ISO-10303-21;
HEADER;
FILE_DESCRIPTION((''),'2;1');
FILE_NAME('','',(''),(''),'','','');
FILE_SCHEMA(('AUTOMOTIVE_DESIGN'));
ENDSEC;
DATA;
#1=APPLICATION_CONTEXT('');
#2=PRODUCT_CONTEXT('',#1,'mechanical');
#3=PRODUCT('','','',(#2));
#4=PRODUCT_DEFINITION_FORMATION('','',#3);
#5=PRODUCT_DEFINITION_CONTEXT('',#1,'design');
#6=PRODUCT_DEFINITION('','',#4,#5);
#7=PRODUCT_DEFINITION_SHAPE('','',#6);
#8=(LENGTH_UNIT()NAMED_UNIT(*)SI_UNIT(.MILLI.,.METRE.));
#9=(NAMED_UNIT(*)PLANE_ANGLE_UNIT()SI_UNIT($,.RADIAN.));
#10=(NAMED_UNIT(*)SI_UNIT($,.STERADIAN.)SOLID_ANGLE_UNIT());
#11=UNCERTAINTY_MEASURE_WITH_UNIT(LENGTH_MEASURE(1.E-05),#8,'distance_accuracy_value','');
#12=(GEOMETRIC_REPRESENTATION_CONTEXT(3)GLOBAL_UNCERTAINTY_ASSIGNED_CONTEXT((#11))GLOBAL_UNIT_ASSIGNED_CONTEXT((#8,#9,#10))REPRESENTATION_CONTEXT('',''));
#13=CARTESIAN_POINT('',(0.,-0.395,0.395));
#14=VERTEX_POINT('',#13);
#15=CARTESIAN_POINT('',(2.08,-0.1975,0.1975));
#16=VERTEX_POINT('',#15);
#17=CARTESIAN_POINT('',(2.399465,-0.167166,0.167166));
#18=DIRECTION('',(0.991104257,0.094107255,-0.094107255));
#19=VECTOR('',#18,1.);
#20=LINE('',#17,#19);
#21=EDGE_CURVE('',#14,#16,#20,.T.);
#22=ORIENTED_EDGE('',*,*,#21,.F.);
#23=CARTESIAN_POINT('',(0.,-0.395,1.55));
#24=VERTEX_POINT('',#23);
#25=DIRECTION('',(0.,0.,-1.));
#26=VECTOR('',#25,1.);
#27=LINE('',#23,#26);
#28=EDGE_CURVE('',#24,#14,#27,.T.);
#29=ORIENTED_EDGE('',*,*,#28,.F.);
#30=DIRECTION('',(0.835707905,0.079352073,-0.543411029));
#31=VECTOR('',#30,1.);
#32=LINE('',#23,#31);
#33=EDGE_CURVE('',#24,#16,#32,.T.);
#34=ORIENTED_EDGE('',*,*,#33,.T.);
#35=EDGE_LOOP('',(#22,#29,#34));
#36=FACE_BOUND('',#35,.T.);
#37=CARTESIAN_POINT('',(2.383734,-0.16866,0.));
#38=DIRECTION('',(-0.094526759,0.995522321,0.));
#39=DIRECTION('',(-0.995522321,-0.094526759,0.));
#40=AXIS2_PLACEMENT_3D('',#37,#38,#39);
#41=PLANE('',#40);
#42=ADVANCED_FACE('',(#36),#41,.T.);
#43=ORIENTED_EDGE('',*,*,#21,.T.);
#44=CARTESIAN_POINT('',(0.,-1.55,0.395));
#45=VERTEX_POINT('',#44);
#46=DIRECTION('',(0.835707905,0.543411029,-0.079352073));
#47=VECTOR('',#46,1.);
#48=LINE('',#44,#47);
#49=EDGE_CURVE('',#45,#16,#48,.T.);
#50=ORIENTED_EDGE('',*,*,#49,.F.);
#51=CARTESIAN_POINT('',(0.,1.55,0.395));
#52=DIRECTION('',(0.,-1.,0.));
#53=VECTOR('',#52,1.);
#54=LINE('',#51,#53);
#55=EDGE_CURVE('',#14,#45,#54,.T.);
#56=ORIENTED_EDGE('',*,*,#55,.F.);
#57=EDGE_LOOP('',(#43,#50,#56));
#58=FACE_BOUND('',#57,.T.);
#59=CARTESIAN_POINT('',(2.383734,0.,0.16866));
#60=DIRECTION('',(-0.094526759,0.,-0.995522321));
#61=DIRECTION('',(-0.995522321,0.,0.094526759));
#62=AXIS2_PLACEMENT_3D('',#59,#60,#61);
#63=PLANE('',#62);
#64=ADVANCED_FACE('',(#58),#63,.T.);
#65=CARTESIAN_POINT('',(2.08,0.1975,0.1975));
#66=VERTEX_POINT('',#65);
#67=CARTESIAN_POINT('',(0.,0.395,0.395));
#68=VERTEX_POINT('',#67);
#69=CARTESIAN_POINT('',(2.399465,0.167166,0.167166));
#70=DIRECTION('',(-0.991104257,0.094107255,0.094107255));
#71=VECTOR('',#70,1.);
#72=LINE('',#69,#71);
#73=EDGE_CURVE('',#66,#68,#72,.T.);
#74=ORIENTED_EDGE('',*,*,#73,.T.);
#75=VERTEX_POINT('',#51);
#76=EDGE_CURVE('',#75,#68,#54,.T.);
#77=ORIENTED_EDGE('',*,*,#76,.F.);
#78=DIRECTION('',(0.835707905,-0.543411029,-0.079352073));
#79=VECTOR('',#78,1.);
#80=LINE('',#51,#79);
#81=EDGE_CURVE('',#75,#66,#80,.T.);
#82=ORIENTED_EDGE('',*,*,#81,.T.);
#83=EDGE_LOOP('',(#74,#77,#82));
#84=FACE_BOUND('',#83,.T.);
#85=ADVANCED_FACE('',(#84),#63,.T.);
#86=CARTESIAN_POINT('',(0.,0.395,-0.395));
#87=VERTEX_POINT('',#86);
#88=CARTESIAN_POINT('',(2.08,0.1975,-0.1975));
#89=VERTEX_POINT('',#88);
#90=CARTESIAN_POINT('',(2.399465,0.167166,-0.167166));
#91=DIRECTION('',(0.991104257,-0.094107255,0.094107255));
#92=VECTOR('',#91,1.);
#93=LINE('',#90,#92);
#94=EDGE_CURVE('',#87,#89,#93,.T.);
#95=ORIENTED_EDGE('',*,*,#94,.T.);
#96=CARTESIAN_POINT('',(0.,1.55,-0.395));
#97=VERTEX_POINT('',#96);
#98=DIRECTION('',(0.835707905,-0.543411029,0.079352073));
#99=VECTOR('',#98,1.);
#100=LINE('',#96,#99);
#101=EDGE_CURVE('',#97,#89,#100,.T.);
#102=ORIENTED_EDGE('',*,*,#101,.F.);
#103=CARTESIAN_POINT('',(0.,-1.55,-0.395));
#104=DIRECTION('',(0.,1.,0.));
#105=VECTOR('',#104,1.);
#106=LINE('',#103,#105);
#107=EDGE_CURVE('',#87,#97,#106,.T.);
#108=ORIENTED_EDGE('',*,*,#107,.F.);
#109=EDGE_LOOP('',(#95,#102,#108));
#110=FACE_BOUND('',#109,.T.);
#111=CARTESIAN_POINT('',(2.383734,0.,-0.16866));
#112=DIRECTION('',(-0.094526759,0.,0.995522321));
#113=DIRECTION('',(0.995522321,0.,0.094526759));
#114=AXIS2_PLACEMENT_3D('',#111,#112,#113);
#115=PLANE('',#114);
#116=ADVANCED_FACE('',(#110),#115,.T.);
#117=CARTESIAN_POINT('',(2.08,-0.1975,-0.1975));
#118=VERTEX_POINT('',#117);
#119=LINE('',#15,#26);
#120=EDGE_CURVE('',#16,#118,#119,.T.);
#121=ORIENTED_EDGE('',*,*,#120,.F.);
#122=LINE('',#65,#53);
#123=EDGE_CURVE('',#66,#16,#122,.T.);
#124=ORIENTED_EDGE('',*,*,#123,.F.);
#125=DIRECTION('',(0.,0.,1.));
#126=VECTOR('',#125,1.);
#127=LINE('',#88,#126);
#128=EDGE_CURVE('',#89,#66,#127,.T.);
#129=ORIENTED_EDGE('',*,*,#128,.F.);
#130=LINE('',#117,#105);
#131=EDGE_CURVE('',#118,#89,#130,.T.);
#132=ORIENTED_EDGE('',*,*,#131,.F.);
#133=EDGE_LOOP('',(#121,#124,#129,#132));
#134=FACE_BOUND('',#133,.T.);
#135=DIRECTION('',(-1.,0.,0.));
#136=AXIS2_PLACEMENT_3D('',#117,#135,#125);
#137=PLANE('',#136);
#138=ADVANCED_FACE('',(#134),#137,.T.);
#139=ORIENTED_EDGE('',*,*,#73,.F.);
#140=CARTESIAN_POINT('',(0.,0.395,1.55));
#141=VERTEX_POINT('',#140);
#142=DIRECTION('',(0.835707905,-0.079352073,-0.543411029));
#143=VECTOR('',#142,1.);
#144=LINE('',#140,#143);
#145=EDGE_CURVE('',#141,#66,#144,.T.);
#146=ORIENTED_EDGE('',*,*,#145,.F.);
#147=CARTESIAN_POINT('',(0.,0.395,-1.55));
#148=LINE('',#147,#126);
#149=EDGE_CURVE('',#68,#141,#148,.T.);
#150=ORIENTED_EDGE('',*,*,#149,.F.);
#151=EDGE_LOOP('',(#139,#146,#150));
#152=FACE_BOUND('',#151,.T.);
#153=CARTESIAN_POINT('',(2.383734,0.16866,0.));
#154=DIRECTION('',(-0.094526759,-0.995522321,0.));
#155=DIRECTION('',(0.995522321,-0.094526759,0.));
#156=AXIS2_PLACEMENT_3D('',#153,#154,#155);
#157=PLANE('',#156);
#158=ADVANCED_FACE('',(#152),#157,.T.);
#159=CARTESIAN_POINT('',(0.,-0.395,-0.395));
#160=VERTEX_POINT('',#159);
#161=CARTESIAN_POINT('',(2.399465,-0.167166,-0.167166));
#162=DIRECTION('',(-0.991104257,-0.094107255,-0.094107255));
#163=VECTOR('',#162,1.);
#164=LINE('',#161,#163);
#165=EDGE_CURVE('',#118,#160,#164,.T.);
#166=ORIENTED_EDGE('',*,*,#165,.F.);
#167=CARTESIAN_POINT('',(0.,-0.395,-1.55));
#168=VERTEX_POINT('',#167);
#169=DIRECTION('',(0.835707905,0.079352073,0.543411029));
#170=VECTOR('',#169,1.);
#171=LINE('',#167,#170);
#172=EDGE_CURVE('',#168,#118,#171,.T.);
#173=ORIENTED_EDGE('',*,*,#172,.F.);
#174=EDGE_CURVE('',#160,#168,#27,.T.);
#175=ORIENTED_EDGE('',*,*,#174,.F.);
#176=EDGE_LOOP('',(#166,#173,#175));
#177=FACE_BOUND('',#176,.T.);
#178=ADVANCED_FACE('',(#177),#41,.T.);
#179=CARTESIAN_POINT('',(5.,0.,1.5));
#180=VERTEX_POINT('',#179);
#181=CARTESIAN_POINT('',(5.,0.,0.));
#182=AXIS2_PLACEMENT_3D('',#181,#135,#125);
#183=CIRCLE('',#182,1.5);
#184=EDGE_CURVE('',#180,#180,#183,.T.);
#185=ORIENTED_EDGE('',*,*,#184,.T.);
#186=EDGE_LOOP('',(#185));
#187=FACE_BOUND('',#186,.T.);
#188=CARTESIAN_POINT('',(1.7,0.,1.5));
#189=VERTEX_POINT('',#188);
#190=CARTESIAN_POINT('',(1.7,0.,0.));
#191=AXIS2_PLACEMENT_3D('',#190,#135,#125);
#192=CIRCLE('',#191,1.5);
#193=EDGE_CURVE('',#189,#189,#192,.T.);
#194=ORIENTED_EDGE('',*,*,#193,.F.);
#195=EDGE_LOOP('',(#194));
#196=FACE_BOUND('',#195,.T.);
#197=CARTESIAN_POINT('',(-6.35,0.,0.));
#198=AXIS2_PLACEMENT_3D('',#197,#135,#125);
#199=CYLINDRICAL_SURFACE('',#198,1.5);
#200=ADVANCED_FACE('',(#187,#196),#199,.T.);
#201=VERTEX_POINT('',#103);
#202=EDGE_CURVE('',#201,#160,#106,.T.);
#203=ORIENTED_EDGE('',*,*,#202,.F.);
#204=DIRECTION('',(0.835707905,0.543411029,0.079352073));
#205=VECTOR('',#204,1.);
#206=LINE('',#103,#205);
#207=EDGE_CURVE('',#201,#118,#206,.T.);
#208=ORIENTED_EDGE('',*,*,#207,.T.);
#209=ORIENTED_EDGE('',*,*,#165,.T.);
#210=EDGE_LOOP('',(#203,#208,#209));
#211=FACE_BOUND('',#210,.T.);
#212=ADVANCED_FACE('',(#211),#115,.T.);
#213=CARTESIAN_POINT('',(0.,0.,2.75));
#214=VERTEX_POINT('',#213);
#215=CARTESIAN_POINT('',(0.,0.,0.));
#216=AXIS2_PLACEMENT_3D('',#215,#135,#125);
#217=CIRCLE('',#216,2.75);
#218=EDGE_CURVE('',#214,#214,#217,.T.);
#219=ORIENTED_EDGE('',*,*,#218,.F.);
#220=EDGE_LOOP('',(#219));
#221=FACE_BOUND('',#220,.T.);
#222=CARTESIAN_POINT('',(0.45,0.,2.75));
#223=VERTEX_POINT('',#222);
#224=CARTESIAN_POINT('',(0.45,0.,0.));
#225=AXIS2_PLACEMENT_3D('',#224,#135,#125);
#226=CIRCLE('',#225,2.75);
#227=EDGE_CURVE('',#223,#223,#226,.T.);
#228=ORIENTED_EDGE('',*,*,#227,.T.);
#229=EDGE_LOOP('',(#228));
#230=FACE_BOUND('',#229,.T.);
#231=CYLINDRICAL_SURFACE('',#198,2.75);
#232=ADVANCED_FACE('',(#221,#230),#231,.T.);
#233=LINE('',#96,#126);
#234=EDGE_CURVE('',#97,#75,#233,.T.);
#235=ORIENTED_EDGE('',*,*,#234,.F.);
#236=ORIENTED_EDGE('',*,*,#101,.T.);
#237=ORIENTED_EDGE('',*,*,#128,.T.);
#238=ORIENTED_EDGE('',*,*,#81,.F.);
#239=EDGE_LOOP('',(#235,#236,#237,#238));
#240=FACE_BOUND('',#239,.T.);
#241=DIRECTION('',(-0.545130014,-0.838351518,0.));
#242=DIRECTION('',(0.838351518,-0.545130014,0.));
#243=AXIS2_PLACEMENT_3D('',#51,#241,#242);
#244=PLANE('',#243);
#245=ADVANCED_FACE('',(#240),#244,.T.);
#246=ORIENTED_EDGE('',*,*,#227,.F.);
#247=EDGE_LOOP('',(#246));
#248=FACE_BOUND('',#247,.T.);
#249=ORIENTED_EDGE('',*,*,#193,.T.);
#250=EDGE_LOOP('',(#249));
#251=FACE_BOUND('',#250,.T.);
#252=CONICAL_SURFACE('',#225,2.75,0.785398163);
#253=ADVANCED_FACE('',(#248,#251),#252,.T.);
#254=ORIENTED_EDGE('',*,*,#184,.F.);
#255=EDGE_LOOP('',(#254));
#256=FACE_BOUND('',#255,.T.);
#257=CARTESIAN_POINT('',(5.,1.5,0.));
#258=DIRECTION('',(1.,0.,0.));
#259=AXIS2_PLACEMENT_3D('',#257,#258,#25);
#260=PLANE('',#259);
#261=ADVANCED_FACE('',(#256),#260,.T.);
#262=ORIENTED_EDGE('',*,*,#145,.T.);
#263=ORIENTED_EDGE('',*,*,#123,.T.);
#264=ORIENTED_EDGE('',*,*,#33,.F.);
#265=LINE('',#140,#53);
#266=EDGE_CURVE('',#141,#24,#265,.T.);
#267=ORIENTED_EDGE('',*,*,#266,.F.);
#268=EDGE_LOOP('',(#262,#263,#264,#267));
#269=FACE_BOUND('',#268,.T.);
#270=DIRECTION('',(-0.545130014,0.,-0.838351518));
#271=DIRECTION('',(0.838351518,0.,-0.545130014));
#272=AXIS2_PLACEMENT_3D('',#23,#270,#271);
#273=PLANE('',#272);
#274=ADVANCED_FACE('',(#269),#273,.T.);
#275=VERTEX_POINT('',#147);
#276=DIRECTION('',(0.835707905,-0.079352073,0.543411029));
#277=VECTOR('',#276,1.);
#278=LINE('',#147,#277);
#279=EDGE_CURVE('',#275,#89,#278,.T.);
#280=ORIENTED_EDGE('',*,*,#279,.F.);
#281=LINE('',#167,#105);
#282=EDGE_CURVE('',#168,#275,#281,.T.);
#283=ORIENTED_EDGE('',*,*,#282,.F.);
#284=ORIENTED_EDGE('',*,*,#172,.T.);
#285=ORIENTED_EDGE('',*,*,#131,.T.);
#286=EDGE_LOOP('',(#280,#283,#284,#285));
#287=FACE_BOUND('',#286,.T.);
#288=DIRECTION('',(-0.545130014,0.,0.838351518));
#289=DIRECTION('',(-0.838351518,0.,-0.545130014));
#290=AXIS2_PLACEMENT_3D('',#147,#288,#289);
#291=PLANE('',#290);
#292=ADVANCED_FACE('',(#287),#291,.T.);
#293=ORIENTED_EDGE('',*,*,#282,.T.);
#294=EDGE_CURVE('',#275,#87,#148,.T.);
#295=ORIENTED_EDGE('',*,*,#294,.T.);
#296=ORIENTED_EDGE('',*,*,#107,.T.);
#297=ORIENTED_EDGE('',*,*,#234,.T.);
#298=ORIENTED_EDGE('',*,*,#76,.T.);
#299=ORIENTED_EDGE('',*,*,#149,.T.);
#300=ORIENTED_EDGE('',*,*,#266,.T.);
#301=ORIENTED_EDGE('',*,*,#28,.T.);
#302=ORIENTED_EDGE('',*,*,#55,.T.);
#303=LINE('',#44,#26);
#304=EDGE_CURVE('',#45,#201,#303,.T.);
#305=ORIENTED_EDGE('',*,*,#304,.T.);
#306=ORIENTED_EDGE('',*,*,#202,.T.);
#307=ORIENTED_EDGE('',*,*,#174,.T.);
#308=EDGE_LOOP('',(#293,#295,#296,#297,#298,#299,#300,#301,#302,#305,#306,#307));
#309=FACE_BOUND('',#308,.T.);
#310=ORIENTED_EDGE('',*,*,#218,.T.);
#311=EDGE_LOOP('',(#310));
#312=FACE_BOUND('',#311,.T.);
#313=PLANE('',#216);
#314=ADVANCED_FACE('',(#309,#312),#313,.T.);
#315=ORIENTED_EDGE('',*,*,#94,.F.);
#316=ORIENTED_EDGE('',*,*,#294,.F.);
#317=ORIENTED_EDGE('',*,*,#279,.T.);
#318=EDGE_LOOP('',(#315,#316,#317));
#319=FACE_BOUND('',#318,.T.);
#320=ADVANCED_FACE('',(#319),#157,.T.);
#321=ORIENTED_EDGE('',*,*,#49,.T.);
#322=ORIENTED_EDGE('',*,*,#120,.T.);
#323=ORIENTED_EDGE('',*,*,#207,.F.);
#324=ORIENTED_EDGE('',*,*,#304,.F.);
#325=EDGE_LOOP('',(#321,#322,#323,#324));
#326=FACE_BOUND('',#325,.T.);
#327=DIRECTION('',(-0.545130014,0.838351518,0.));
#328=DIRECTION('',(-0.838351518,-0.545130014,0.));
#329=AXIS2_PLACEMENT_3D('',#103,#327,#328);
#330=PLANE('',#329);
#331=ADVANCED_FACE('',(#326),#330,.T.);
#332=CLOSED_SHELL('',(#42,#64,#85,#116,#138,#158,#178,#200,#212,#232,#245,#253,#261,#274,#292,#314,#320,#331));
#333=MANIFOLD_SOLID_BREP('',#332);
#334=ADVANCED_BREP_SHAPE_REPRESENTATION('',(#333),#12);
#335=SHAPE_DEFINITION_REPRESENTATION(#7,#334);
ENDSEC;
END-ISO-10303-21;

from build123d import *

# Parameters (mm, degrees)
SKETCH3_W         = 0.79
SKETCH3_H         = 3.1
SKETCH4_W         = 0.395
SKETCH4_H         = 0.395
CIRPATTERN1_COUNT = 2
CIRPATTERN1_ANGLE = 90


with BuildPart() as part:
    # BodySke → Base-Revolve (revolve)
    with BuildSketch(Plane.XY, mode=Mode.PRIVATE) as base_revolve_sk:
        Polygon((0, 0), (0, 2.75), (0.45, 2.75), (1.7, 1.5), (5, 1.5), (5, 0), align=None)
    revolve(base_revolve_sk.sketch.rotate(Axis((-6.35, 0, 0), (1, 0, 0)), 90), axis=Axis((-6.35, 0, 0), (1, 0, 0)))  # turned: the seam where the file's is

    # Sketch3 → Cross section 0
    with BuildSketch(Plane.ZY):
        Rectangle(SKETCH3_W, SKETCH3_H)
    # Sketch4 → Cross section 1
    with BuildSketch(Plane.ZY.offset(-2.08)):
        Rectangle(SKETCH4_W, SKETCH4_H)
    cross = loft(mode=Mode.SUBTRACT)

    # CirPattern1: Cross ×2 about axis
    cirpattern1_axis = Axis((0, 0, 0), (1, 0, 0))
    for i in range(1, CIRPATTERN1_COUNT):
        add(cross.rotate(cirpattern1_axis, i * CIRPATTERN1_ANGLE / (CIRPATTERN1_COUNT - 1)), mode=Mode.SUBTRACT)


solid = part.part
